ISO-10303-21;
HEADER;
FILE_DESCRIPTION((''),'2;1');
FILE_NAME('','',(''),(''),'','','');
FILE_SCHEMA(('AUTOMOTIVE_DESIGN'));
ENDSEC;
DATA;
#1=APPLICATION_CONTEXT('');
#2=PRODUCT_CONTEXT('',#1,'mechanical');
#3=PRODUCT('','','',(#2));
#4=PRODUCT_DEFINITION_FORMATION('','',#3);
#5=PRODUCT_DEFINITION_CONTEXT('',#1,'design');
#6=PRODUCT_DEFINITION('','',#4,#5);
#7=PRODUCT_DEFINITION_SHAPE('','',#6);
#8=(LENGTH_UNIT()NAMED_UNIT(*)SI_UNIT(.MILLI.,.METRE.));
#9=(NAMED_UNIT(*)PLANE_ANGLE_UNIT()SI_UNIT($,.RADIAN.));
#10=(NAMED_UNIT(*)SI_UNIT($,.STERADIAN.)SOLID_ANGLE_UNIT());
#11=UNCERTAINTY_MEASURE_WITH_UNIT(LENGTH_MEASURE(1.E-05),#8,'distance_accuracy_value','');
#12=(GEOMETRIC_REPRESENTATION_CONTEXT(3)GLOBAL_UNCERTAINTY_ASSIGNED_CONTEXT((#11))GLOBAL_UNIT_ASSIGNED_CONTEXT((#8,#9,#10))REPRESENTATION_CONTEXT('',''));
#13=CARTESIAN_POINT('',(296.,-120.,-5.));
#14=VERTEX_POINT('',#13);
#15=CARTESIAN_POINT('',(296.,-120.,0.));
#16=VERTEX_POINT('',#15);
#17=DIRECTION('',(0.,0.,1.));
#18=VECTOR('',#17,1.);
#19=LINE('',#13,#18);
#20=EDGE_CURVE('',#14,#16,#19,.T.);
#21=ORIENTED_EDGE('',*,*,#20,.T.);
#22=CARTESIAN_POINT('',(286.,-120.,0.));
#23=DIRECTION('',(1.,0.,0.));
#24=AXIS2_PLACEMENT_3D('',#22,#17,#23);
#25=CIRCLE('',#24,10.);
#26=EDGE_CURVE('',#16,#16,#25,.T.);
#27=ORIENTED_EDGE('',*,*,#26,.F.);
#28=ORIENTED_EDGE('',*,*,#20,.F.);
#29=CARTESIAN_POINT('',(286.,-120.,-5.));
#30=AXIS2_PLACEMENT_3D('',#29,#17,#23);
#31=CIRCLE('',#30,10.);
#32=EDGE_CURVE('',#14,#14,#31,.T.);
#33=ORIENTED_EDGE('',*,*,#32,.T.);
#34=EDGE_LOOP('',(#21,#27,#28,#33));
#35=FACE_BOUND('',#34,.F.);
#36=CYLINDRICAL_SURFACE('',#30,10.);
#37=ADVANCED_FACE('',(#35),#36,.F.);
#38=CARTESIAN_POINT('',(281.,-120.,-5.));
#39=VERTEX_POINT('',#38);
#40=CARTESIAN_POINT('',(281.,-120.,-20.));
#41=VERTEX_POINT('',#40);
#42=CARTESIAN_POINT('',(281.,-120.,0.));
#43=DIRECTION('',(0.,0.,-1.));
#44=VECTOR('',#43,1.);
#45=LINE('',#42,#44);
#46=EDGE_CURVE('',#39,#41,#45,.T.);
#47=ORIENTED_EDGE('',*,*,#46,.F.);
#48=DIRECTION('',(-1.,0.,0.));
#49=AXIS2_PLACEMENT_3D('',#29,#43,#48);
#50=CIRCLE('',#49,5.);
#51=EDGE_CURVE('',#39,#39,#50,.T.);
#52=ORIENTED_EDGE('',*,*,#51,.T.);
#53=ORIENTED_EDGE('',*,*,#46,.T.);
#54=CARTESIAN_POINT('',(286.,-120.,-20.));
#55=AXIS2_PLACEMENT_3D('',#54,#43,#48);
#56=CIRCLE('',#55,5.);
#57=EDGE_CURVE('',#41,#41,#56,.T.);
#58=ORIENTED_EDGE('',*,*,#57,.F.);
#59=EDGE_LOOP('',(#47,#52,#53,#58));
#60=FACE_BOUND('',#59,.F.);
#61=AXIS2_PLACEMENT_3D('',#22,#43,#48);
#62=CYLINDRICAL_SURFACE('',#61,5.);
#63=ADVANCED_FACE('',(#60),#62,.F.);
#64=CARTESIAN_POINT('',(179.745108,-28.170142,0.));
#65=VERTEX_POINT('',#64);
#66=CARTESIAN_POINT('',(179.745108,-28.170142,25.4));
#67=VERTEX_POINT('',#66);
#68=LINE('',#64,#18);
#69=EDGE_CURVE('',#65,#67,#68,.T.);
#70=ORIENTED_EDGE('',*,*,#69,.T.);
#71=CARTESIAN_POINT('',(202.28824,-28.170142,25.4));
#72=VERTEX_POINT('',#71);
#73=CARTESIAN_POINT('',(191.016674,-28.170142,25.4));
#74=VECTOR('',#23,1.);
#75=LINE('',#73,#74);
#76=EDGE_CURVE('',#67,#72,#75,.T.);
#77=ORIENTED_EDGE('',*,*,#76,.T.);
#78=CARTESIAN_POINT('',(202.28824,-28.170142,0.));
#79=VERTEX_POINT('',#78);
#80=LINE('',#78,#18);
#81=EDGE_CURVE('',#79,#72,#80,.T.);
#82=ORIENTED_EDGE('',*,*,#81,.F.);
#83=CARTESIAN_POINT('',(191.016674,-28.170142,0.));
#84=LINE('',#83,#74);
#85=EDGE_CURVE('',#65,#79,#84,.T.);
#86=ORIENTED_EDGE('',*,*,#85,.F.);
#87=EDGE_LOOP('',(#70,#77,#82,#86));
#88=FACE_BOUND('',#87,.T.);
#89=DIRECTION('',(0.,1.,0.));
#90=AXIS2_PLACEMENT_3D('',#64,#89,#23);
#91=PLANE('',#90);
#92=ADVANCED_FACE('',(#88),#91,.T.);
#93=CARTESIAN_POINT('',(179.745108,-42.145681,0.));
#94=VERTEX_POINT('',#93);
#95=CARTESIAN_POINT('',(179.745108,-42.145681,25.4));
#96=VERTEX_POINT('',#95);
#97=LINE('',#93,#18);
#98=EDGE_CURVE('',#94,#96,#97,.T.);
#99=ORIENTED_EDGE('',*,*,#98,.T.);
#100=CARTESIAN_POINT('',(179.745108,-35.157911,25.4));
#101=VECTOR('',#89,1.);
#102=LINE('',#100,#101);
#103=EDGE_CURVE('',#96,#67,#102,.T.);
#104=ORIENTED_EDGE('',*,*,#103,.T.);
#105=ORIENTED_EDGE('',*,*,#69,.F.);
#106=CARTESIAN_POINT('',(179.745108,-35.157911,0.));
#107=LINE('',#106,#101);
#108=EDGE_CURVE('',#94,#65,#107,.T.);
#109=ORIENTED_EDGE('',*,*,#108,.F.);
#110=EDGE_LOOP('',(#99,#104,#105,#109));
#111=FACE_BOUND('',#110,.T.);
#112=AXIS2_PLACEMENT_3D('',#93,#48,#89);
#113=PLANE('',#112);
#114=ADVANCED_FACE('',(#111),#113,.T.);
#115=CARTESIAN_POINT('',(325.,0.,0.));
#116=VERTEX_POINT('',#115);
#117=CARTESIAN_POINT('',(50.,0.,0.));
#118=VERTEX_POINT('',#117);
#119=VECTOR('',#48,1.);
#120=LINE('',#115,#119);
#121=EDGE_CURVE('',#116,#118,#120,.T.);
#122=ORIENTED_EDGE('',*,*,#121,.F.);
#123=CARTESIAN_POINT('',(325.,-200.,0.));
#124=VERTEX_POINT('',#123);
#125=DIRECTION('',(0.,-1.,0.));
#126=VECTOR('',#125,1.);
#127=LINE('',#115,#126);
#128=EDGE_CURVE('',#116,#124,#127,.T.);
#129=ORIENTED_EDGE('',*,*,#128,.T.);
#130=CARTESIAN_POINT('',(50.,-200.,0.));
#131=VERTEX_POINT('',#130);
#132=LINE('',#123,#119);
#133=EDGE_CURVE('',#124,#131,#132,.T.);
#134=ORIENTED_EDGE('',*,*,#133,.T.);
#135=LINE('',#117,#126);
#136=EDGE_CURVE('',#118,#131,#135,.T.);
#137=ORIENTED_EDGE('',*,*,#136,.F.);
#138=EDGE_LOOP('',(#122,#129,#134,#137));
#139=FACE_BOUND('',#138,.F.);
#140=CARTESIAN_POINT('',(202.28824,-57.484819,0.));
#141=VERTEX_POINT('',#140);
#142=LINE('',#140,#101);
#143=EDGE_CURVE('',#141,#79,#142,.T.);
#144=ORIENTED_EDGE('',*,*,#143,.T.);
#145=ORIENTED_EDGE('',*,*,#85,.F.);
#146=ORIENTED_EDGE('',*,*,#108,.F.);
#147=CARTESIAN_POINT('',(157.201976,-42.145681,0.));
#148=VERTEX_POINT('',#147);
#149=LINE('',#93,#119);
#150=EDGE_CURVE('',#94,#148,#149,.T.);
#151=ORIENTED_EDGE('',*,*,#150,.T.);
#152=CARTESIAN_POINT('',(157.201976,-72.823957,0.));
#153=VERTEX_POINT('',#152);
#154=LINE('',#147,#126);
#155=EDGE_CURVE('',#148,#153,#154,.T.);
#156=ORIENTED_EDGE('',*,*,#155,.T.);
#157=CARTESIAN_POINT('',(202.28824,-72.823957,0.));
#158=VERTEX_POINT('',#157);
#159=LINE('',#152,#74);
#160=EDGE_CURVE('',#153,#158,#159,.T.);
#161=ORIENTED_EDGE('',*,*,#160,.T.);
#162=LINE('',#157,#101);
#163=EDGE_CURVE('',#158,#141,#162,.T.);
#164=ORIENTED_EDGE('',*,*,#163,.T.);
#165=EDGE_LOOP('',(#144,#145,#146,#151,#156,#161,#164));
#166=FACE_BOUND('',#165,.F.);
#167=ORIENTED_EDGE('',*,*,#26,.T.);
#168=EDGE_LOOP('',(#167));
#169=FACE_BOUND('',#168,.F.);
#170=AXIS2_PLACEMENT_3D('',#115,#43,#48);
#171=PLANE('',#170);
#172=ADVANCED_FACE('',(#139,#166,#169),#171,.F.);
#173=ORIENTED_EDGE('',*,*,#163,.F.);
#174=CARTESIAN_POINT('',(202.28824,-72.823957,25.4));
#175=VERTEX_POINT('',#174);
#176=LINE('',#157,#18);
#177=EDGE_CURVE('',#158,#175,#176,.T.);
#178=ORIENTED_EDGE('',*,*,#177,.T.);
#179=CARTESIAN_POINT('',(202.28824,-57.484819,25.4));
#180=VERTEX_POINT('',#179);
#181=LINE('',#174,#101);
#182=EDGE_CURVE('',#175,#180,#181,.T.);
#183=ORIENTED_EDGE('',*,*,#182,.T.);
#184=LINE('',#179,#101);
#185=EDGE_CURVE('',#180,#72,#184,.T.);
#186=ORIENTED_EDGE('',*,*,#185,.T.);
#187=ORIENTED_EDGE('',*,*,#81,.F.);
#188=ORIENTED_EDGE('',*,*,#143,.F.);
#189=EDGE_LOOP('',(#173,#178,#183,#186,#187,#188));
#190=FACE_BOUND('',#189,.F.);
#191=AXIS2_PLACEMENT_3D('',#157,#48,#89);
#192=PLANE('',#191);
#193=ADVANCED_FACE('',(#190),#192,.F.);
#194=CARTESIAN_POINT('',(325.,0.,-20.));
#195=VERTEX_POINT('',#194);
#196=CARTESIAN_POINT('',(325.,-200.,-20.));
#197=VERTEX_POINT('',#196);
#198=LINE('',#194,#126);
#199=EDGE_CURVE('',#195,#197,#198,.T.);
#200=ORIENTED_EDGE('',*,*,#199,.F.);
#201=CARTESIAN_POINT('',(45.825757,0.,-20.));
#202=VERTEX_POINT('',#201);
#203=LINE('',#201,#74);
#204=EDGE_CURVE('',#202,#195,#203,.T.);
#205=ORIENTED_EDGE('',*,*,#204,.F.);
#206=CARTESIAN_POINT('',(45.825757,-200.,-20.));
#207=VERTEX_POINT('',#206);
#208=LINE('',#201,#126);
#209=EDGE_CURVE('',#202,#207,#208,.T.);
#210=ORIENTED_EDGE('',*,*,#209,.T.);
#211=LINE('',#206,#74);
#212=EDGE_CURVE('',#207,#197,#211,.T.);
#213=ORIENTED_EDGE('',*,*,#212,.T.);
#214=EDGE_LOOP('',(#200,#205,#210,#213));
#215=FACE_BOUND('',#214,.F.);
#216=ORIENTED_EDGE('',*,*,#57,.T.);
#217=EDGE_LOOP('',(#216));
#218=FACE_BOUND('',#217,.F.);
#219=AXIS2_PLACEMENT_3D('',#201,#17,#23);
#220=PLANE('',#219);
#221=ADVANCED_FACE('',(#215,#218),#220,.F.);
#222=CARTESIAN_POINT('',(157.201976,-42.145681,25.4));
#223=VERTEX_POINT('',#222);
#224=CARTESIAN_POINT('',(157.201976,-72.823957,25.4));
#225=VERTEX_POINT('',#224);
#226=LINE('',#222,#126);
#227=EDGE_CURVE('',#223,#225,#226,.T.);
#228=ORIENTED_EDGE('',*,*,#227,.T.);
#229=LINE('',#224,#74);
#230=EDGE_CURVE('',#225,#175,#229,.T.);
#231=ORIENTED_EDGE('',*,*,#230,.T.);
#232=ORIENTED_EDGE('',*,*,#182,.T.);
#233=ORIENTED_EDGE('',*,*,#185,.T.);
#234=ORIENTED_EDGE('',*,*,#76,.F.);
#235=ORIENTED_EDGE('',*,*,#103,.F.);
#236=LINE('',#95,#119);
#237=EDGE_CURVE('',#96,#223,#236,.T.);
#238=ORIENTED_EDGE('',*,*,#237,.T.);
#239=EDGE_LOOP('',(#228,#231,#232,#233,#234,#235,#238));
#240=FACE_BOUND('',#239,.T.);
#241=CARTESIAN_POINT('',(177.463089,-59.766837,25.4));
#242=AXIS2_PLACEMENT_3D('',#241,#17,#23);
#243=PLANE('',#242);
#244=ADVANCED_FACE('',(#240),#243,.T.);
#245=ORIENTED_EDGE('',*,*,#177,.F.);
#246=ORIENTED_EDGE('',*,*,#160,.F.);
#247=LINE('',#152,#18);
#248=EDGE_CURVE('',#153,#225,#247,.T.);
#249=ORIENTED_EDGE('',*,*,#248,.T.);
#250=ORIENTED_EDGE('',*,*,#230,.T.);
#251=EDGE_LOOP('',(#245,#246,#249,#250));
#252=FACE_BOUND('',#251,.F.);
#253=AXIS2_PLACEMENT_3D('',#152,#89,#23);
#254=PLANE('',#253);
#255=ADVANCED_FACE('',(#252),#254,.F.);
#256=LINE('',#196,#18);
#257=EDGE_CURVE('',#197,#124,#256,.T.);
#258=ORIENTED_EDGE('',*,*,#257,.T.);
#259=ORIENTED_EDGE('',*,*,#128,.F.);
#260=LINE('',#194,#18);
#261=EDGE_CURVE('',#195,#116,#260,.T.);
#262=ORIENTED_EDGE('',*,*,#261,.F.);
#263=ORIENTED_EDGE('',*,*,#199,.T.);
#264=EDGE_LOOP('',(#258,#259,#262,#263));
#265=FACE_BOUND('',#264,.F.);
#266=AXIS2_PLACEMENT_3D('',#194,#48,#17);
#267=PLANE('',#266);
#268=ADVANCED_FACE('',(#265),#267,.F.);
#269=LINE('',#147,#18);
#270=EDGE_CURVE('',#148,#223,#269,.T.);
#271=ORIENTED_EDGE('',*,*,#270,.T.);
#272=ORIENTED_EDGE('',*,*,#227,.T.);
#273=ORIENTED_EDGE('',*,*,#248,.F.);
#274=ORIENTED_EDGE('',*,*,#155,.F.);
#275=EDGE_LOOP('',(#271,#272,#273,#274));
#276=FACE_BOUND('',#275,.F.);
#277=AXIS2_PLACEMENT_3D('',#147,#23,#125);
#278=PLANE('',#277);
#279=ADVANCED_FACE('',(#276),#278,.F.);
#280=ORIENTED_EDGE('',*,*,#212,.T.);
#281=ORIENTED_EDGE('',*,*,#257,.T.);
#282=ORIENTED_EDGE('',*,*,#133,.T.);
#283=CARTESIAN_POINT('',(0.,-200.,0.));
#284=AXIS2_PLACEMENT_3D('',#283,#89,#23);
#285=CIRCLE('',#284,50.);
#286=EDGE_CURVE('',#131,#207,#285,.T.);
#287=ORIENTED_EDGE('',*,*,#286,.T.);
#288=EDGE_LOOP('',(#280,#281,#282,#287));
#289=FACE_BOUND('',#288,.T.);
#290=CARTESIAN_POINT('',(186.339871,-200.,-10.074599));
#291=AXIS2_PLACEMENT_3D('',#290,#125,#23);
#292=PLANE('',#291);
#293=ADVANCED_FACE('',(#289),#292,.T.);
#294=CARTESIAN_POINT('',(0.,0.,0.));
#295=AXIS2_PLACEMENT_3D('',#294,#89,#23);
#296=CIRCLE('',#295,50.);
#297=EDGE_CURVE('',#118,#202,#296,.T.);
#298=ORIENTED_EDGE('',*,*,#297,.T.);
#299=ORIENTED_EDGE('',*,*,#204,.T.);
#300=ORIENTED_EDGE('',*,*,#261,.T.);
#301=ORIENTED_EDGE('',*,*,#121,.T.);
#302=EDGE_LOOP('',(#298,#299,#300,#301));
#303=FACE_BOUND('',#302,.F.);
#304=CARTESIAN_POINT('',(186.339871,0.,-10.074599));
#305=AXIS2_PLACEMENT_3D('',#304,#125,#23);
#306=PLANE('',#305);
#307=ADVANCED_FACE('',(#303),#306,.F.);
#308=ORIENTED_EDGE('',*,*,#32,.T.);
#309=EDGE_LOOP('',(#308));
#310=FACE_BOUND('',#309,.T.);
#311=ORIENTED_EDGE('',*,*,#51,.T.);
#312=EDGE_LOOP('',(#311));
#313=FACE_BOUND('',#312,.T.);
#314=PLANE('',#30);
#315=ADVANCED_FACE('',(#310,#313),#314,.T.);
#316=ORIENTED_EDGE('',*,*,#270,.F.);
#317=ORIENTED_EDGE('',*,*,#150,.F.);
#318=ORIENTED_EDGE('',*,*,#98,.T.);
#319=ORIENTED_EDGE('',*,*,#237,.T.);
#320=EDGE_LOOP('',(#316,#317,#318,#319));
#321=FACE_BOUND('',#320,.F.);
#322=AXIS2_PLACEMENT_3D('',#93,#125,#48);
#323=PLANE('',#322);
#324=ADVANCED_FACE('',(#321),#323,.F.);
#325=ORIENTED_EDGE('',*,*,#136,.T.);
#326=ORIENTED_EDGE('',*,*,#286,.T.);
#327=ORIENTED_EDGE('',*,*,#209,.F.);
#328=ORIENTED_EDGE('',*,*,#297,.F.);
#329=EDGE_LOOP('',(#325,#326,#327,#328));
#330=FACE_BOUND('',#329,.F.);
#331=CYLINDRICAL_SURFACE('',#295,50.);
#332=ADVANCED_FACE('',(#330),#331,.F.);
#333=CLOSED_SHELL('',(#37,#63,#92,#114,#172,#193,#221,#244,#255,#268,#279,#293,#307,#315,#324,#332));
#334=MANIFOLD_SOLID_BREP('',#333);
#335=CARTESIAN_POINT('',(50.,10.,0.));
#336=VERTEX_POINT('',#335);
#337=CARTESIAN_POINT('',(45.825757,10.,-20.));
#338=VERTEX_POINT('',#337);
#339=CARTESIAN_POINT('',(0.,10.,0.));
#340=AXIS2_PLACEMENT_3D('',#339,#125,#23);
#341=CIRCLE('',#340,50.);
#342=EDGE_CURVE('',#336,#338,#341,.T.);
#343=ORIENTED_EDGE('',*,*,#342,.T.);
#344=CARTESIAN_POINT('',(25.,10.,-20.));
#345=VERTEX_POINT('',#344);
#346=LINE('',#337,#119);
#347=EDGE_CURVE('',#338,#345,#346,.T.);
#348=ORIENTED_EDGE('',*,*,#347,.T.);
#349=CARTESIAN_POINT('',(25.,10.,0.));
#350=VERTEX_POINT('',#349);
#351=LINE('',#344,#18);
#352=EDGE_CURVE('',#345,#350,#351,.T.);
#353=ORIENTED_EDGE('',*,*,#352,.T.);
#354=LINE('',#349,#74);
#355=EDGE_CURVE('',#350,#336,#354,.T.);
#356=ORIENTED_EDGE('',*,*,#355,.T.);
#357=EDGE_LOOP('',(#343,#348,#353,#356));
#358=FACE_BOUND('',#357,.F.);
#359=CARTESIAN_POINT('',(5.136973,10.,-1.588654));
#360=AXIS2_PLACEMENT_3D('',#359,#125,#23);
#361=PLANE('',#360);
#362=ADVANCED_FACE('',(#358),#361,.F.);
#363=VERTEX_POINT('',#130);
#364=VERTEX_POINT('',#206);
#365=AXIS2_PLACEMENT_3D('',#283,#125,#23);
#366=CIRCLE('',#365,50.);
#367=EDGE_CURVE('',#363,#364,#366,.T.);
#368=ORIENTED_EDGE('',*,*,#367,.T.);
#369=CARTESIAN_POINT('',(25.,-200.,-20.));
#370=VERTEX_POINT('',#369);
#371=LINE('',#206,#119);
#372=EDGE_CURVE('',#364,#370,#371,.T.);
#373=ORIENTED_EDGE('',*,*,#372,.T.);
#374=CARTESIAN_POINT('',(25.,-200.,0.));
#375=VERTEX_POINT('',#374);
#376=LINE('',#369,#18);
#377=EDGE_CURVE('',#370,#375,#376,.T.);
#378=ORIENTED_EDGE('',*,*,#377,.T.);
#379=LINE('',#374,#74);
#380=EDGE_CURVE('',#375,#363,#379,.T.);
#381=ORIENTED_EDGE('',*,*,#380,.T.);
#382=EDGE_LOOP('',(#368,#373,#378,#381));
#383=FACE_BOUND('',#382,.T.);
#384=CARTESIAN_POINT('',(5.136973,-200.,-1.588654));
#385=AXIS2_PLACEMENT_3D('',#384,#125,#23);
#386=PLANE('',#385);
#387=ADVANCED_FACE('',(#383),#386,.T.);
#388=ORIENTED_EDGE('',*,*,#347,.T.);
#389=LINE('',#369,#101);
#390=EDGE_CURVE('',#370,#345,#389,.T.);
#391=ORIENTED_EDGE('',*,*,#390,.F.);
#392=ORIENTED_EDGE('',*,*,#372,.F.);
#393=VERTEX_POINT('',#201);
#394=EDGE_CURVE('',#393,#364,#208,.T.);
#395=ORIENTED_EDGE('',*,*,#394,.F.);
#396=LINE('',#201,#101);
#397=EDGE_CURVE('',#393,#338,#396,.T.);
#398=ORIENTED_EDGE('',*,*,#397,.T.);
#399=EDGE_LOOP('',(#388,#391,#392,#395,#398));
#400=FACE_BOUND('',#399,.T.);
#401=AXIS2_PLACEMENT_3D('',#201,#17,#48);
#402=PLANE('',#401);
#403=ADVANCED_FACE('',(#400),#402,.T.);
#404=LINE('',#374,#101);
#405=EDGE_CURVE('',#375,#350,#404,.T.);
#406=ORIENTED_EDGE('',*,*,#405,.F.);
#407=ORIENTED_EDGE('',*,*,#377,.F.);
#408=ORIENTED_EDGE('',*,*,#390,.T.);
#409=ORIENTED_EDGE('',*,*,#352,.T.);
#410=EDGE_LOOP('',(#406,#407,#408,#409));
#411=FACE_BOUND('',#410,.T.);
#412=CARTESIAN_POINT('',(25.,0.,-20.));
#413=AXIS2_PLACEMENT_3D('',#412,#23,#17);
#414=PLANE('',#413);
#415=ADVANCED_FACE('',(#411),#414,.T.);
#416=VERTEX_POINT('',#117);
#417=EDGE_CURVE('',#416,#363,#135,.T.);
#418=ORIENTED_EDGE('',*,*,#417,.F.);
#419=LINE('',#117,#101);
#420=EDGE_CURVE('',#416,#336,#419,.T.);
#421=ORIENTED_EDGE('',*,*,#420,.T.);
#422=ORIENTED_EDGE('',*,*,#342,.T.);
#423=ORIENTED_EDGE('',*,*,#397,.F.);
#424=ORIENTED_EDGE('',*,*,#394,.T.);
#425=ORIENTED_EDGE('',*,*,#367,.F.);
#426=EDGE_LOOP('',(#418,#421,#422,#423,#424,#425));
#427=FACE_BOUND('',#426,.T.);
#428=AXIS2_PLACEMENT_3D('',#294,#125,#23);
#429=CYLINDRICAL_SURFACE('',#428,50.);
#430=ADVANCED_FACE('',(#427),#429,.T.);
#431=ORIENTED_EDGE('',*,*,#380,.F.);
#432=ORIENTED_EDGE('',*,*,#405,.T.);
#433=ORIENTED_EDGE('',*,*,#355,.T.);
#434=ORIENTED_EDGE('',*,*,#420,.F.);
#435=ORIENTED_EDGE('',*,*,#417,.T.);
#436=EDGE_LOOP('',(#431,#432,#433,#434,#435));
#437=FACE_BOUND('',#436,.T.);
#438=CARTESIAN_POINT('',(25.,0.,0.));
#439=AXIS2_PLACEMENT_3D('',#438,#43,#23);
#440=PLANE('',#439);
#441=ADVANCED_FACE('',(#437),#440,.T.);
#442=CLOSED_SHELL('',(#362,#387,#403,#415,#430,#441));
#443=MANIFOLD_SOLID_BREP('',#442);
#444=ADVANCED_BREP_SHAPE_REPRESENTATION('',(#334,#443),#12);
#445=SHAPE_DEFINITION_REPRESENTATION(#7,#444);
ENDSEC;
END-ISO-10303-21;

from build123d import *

# Parameters (mm, degrees)
F1_DEPTH       = 200
F2_DEPTH       = 10
F4_D           = 10
F4_CBORE_D     = 20
F4_CBORE_DEPTH = 5
F5_W           = 22.5431323051
F5_H           = 15.3391379863
F5_H_2         = 13.9755383134
F6_DEPTH       = 25.4


with BuildPart() as f1:
    # F0 (on Front) → F1 (new body)
    with BuildSketch(Plane.XZ):
        with BuildLine():
            Line((25, 0), (50, 0))
            ThreePointArc((50, 0), (-48.9453156465, 10.2154821845), (45.8257569496, -20))
            Line((45.8257569496, -20), (25, -20))
            Line((25, -20), (25, 0))
        make_face()
    extrude(amount=F1_DEPTH)

    # F2 (add): a face of the model
    f2_faces = [f1.faces().sort_by_distance(p)[0] for p in [
        (-2.3595573385, 0, 0.6216546396),
    ]]


with BuildPart() as f1b:
    # F0 (on Front) → F1, piece 2 (new body)
    with BuildSketch(Plane.XZ):
        with BuildLine():
            Line((325, 0), (50, 0))
            ThreePointArc((50, 0), (48.9453156465, -10.2154821845), (45.8257569496, -20))
            Line((45.8257569496, -20), (325, -20))
            Line((325, -20), (325, 0))
        make_face()
    extrude(amount=F1_DEPTH)


with BuildPart() as f1_1:
    add(f1.part)

    add(f1b.part)  # F2 merges F1b
    extrude(f2_faces, amount=F2_DEPTH)

    # F4 (through all)
    with Locations(Plane.XY):
        with Locations((286, -120)):
            CounterBoreHole(F4_D / 2, F4_CBORE_D / 2, F4_CBORE_DEPTH)

    # F5 (on face) → F6 (join)
    with BuildSketch(Plane.XY):
        Polygon((157.201975584, -42.1456806362), (157.201975584, -72.8239566088), (202.2882401943, -72.8239566088), (202.2882401943, -57.4848186225), (179.7451078892, -57.4848186225), (179.7451078892, -42.1456806362), align=None)
        with Locations((191.0166740417, -49.8152496293)):
            Rectangle(F5_W, F5_H)
        with Locations((191.0166740417, -35.1579114795)):
            Rectangle(F5_W, F5_H_2)
    extrude(amount=F6_DEPTH)


solid = f1_1.part
